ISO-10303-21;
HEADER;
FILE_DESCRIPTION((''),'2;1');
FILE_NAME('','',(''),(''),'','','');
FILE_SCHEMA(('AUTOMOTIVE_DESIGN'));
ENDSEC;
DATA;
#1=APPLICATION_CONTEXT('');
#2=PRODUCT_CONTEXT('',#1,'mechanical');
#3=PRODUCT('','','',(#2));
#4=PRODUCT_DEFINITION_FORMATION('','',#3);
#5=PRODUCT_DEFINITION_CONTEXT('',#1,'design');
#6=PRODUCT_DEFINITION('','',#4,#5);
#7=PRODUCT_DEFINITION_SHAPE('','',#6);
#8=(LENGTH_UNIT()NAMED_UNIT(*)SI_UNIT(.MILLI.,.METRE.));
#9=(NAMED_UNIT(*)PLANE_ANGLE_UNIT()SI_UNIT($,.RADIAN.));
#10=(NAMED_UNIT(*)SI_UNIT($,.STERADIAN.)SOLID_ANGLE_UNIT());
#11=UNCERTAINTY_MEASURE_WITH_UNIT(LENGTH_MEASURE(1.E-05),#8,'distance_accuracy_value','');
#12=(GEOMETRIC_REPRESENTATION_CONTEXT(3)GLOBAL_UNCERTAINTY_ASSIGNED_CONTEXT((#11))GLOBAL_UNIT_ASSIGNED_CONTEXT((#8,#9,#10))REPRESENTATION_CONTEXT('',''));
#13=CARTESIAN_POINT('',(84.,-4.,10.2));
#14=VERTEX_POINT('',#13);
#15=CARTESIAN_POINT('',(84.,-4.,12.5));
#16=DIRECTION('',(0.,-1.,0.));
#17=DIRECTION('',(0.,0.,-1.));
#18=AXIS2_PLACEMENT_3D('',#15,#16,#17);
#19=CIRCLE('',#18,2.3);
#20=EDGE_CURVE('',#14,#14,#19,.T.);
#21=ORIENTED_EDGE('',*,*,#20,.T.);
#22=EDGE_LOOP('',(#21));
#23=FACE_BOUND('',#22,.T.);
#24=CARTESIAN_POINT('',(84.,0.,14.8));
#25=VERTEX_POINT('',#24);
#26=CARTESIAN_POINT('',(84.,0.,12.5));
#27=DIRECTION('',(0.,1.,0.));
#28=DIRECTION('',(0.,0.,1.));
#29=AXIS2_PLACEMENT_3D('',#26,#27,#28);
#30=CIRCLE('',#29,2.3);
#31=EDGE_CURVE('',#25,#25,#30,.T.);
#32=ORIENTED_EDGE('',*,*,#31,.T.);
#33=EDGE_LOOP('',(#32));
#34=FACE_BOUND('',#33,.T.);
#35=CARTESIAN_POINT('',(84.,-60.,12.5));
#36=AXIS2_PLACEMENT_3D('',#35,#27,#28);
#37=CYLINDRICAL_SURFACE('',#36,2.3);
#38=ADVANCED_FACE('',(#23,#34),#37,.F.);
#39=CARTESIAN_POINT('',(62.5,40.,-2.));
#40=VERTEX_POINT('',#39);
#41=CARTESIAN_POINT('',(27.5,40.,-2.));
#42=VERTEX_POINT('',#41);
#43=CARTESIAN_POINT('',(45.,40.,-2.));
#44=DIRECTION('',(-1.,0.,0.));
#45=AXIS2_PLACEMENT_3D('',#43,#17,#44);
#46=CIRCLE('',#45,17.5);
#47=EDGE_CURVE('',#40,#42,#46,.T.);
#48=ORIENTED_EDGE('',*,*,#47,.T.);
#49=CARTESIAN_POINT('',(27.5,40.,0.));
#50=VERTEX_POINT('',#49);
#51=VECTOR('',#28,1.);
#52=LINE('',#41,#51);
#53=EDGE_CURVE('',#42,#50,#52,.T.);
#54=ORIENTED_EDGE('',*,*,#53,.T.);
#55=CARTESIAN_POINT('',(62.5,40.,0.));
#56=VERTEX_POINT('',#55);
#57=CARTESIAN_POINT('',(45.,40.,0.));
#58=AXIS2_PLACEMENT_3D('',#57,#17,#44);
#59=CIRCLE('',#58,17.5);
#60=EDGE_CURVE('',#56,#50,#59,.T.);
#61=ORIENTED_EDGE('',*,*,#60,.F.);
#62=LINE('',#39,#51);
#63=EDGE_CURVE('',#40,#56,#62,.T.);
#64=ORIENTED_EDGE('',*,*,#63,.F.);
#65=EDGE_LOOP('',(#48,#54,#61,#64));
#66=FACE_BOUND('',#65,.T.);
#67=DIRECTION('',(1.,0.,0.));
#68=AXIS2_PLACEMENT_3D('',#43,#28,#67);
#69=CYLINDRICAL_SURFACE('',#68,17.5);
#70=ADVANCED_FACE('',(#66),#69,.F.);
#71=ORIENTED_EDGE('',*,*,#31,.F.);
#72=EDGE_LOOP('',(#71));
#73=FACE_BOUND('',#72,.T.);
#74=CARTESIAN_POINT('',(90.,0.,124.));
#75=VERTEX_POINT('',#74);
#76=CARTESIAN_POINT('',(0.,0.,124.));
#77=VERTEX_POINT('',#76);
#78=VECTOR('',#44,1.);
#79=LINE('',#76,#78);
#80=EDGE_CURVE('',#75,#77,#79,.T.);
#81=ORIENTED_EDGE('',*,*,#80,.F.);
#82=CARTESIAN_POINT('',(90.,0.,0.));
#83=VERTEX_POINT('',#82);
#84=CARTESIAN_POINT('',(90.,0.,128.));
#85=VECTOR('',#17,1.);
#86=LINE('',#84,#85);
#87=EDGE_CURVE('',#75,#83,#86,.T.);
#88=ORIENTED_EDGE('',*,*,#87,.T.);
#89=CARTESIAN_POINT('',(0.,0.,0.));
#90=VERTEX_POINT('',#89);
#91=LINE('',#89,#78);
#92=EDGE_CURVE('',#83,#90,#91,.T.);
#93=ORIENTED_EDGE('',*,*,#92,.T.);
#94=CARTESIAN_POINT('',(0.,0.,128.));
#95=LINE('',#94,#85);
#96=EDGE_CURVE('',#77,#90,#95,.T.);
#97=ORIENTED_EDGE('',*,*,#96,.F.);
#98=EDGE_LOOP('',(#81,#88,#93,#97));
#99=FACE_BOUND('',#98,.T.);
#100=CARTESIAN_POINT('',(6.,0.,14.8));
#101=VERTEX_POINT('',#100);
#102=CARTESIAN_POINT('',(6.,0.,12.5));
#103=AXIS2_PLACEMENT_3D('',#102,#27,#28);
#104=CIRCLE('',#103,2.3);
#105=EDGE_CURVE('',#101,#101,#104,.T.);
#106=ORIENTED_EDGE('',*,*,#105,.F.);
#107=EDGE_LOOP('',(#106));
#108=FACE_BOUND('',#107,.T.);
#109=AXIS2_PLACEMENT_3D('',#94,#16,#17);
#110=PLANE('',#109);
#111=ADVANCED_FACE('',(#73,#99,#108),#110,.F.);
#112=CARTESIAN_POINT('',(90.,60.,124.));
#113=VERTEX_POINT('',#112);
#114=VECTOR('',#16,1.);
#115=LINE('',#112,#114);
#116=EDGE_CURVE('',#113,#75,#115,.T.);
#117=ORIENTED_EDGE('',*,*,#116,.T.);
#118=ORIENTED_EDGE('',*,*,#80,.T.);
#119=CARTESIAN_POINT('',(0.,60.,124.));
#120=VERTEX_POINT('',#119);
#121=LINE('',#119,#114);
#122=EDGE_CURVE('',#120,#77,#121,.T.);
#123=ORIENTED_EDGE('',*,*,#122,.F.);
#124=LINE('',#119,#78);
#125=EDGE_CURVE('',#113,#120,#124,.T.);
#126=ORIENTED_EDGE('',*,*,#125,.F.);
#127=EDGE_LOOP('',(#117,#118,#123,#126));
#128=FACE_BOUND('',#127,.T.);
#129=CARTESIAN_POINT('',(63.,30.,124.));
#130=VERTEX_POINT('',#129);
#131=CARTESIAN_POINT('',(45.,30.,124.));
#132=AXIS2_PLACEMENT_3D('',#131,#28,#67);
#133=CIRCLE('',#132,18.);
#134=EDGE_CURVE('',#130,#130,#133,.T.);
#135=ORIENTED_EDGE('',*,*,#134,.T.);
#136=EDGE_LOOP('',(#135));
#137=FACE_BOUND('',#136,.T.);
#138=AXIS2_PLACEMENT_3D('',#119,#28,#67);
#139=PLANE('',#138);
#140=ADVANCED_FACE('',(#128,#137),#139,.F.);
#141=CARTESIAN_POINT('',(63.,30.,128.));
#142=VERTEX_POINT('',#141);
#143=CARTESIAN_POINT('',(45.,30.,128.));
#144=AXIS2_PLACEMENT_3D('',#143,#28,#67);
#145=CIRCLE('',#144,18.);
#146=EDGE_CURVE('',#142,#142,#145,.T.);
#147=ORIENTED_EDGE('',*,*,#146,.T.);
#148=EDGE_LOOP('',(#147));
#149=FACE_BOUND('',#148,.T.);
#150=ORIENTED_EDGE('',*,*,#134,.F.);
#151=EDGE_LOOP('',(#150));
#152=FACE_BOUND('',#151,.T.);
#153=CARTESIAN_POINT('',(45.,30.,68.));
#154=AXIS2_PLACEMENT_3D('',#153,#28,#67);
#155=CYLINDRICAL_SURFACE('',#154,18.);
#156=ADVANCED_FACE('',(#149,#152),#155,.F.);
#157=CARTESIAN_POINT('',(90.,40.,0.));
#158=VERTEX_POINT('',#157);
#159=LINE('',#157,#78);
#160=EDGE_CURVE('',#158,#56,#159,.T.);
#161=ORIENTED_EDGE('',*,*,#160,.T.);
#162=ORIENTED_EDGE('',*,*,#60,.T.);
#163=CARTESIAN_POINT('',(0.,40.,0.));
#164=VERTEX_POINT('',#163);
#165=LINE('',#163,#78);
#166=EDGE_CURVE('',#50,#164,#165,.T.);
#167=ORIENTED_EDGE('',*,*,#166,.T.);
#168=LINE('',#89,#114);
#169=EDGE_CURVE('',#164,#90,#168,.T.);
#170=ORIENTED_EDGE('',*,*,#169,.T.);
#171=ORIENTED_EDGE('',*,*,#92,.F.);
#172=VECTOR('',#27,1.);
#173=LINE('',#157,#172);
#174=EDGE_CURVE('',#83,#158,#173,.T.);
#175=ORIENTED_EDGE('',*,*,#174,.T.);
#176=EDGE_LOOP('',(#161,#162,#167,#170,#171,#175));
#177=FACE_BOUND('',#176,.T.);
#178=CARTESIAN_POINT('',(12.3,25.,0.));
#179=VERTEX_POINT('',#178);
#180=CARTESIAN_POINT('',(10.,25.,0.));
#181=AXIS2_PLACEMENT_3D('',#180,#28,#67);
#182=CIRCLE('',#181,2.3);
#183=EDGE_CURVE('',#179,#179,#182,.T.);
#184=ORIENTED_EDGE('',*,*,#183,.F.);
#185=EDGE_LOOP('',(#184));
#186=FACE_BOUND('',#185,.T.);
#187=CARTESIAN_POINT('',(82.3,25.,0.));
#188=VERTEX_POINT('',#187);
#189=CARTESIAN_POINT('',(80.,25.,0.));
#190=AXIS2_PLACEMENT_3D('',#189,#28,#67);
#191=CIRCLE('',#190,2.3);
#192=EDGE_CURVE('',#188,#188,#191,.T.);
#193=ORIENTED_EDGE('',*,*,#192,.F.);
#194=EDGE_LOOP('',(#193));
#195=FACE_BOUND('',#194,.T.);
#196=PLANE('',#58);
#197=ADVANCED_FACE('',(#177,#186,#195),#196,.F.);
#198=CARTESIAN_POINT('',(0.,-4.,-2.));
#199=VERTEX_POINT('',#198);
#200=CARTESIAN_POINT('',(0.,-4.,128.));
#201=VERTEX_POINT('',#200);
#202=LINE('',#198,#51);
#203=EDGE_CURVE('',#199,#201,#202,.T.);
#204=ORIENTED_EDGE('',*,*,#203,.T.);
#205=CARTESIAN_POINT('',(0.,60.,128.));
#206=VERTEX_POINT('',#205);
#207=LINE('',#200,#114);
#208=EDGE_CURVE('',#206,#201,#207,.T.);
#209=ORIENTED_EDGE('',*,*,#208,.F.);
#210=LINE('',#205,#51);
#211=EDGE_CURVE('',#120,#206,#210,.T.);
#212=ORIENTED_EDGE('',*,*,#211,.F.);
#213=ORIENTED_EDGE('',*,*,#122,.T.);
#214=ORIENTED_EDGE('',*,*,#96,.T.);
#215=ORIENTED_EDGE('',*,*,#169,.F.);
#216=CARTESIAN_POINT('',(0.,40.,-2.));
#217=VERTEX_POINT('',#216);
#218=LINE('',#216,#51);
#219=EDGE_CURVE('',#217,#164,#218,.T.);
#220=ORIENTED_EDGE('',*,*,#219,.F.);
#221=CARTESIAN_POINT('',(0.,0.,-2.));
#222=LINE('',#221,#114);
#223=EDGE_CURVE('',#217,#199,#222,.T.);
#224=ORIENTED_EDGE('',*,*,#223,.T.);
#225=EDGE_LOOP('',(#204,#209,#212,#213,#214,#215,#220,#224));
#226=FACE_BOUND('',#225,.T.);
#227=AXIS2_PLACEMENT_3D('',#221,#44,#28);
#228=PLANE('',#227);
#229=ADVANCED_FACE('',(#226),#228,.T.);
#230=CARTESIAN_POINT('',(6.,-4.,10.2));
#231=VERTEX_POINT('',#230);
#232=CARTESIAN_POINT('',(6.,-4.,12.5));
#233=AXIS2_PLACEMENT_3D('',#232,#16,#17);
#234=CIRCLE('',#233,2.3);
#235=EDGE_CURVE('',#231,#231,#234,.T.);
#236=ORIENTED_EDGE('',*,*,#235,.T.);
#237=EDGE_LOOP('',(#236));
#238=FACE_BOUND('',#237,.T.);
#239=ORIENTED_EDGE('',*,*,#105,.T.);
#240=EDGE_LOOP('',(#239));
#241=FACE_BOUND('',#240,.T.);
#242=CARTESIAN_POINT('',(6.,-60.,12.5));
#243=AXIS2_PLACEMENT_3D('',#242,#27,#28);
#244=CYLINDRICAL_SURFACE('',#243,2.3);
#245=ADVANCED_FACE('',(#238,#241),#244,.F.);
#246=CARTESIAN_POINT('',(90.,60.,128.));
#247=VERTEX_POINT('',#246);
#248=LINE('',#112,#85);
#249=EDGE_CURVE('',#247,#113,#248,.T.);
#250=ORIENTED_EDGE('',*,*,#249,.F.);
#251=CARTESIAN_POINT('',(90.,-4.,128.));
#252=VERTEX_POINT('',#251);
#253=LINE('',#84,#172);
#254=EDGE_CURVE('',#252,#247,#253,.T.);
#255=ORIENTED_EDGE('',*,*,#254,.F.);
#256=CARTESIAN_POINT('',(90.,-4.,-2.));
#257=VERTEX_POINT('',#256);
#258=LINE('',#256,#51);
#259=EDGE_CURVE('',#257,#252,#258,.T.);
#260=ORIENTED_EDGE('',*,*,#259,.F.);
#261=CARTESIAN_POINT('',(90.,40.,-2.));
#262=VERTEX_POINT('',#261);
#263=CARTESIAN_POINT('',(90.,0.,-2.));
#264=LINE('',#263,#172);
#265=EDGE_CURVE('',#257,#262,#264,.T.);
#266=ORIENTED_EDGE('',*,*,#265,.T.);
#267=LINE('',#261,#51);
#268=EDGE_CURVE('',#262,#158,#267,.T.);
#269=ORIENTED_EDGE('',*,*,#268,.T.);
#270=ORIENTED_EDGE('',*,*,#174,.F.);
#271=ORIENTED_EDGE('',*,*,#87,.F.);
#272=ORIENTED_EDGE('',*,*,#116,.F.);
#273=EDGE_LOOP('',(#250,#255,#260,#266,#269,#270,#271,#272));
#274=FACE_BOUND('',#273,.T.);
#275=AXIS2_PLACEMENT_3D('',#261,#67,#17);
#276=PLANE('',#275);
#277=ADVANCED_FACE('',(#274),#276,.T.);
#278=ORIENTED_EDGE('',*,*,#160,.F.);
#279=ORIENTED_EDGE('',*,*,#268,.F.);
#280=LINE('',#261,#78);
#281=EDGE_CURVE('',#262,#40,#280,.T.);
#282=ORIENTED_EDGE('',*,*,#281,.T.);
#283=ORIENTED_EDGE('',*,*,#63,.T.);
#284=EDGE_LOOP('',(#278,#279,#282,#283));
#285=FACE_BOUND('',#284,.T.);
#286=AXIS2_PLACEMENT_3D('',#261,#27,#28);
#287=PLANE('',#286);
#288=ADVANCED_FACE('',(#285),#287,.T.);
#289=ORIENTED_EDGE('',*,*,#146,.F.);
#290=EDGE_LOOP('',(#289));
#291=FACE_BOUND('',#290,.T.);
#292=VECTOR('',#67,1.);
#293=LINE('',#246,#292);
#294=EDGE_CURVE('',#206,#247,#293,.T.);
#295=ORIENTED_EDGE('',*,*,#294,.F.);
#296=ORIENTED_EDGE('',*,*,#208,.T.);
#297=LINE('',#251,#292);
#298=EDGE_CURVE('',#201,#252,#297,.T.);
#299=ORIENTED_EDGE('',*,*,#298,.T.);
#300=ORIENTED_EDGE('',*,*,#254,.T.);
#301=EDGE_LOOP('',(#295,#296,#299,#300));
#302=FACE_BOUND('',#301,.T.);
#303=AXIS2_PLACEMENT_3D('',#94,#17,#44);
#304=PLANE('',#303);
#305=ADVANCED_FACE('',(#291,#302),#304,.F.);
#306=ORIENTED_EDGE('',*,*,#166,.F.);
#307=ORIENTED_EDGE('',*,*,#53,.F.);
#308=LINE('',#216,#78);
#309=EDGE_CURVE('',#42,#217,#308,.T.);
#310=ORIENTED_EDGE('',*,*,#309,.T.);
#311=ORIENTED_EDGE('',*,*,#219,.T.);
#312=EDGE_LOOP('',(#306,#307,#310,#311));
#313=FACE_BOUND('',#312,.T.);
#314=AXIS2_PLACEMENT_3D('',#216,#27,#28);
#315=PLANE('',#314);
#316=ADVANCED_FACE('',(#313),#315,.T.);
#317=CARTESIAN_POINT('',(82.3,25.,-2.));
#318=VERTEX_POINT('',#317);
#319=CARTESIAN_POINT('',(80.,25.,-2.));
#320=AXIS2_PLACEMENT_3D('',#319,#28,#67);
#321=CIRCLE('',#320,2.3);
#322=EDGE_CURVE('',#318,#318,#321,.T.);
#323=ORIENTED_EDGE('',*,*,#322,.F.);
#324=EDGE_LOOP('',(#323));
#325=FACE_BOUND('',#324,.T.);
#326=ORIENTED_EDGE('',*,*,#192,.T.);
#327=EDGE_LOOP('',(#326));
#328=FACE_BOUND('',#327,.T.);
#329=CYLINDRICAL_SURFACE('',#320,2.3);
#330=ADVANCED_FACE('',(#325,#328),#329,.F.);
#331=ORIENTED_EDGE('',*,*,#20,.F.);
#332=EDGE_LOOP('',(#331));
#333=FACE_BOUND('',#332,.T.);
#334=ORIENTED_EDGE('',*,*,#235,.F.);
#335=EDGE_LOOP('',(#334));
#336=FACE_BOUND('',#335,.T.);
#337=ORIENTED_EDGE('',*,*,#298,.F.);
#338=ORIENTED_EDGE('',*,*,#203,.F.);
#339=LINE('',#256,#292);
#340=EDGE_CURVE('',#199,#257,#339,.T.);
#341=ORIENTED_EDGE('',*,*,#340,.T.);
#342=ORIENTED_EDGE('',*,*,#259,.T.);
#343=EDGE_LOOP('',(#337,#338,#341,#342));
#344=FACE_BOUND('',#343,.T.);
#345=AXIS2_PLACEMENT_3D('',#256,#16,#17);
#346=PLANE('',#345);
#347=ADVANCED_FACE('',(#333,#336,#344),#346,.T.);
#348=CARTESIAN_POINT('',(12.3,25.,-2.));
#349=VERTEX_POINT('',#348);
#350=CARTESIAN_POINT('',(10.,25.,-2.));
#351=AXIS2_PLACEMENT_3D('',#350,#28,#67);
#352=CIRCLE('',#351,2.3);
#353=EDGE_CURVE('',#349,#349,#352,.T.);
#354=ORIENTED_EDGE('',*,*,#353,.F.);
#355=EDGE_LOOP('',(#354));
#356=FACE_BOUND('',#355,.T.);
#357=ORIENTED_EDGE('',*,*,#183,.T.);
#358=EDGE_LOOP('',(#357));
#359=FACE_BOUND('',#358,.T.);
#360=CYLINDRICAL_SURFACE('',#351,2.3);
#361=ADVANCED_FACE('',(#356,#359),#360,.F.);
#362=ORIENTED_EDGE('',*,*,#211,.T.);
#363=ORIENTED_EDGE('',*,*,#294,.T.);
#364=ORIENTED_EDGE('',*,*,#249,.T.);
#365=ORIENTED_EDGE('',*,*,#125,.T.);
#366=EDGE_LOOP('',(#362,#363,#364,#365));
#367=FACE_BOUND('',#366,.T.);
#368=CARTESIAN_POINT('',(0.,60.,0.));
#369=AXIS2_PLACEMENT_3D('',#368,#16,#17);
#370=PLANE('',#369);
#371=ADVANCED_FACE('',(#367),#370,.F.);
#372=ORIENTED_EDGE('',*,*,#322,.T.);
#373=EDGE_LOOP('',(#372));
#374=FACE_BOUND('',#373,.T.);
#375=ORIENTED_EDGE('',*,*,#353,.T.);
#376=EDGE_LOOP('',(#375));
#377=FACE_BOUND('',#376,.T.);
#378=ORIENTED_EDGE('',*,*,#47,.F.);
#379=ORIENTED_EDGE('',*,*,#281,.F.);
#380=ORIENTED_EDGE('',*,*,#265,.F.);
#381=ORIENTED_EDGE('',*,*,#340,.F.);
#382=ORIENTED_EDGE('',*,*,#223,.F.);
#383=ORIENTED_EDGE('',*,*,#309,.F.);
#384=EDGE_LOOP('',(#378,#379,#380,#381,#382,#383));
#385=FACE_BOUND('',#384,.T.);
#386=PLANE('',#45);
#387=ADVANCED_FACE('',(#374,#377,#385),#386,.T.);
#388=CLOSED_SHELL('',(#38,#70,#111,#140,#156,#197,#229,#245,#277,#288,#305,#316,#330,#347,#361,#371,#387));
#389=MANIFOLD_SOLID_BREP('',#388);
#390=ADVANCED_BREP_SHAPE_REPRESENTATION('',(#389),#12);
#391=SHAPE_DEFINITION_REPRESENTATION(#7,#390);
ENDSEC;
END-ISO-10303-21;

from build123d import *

# Parameters (mm, degrees)
SKETCH1_R           = 2.3
BOSS_EXTRUDE1_DEPTH = 2
SKETCH2_W           = 90
SKETCH2_H           = 4
BOSS_EXTRUDE2_DEPTH = 128
SKETCH3_W           = 90
SKETCH3_H           = 4
BOSS_EXTRUDE3_DEPTH = 60
SKETCH4_R           = 18
CUT_EXTRUDE1_DEPTH  = 60
SKETCH5_R           = 2.3
CUT_EXTRUDE2_DEPTH  = 60


with BuildPart() as part:
    # Sketch1 → Boss-Extrude1 (new body)
    with BuildSketch(Plane.XY):
        with BuildLine():
            Line((0, 0), (0, 40))
            Line((0, 40), (27.5, 40))
            ThreePointArc((27.5, 40), (45, 22.5), (62.5, 40))
            Line((62.5, 40), (90, 40))
            Line((90, 40), (90, 0))
            Line((90, 0), (90, -4))
            Line((90, -4), (0, -4))
            Line((0, -4), (0, 0))
        make_face()
        with Locations((10, 25)):
            Circle(SKETCH1_R, mode=Mode.SUBTRACT)
        with Locations((80, 25)):
            Circle(SKETCH1_R, mode=Mode.SUBTRACT)
    extrude(amount=-BOSS_EXTRUDE1_DEPTH)

    # Sketch2 → Boss-Extrude2 (add)
    with BuildSketch(Plane.XY):
        with Locations((45, -2)):
            Rectangle(SKETCH2_W, SKETCH2_H)
    extrude(amount=BOSS_EXTRUDE2_DEPTH)

    # Sketch3 → Boss-Extrude3 (add)
    with BuildSketch(Plane(origin=(0, 0, 0), x_dir=(1, 0, 0), z_dir=(0, 1, 0))):
        with Locations((45, -126)):
            Rectangle(SKETCH3_W, SKETCH3_H)
    extrude(amount=BOSS_EXTRUDE3_DEPTH)

    # Sketch4 → Cut-Extrude1 (cut)
    with BuildSketch(Plane.XY.offset(128)):
        with Locations((45, 30)):
            Circle(SKETCH4_R)
    extrude(amount=-CUT_EXTRUDE1_DEPTH, mode=Mode.SUBTRACT)

    # Sketch5 → Cut-Extrude2 (cut)
    with BuildSketch(Plane(origin=(0, 0, 0), x_dir=(1, 0, 0), z_dir=(0, 1, 0))):
        with Locations(Location((6, -12.5, 0), (0, 0, 270))):
            Circle(SKETCH5_R)
        with Locations(Location((84, -12.5, 0), (0, 0, 270))):
            Circle(SKETCH5_R)
    extrude(amount=-CUT_EXTRUDE2_DEPTH, mode=Mode.SUBTRACT)


solid = part.part
